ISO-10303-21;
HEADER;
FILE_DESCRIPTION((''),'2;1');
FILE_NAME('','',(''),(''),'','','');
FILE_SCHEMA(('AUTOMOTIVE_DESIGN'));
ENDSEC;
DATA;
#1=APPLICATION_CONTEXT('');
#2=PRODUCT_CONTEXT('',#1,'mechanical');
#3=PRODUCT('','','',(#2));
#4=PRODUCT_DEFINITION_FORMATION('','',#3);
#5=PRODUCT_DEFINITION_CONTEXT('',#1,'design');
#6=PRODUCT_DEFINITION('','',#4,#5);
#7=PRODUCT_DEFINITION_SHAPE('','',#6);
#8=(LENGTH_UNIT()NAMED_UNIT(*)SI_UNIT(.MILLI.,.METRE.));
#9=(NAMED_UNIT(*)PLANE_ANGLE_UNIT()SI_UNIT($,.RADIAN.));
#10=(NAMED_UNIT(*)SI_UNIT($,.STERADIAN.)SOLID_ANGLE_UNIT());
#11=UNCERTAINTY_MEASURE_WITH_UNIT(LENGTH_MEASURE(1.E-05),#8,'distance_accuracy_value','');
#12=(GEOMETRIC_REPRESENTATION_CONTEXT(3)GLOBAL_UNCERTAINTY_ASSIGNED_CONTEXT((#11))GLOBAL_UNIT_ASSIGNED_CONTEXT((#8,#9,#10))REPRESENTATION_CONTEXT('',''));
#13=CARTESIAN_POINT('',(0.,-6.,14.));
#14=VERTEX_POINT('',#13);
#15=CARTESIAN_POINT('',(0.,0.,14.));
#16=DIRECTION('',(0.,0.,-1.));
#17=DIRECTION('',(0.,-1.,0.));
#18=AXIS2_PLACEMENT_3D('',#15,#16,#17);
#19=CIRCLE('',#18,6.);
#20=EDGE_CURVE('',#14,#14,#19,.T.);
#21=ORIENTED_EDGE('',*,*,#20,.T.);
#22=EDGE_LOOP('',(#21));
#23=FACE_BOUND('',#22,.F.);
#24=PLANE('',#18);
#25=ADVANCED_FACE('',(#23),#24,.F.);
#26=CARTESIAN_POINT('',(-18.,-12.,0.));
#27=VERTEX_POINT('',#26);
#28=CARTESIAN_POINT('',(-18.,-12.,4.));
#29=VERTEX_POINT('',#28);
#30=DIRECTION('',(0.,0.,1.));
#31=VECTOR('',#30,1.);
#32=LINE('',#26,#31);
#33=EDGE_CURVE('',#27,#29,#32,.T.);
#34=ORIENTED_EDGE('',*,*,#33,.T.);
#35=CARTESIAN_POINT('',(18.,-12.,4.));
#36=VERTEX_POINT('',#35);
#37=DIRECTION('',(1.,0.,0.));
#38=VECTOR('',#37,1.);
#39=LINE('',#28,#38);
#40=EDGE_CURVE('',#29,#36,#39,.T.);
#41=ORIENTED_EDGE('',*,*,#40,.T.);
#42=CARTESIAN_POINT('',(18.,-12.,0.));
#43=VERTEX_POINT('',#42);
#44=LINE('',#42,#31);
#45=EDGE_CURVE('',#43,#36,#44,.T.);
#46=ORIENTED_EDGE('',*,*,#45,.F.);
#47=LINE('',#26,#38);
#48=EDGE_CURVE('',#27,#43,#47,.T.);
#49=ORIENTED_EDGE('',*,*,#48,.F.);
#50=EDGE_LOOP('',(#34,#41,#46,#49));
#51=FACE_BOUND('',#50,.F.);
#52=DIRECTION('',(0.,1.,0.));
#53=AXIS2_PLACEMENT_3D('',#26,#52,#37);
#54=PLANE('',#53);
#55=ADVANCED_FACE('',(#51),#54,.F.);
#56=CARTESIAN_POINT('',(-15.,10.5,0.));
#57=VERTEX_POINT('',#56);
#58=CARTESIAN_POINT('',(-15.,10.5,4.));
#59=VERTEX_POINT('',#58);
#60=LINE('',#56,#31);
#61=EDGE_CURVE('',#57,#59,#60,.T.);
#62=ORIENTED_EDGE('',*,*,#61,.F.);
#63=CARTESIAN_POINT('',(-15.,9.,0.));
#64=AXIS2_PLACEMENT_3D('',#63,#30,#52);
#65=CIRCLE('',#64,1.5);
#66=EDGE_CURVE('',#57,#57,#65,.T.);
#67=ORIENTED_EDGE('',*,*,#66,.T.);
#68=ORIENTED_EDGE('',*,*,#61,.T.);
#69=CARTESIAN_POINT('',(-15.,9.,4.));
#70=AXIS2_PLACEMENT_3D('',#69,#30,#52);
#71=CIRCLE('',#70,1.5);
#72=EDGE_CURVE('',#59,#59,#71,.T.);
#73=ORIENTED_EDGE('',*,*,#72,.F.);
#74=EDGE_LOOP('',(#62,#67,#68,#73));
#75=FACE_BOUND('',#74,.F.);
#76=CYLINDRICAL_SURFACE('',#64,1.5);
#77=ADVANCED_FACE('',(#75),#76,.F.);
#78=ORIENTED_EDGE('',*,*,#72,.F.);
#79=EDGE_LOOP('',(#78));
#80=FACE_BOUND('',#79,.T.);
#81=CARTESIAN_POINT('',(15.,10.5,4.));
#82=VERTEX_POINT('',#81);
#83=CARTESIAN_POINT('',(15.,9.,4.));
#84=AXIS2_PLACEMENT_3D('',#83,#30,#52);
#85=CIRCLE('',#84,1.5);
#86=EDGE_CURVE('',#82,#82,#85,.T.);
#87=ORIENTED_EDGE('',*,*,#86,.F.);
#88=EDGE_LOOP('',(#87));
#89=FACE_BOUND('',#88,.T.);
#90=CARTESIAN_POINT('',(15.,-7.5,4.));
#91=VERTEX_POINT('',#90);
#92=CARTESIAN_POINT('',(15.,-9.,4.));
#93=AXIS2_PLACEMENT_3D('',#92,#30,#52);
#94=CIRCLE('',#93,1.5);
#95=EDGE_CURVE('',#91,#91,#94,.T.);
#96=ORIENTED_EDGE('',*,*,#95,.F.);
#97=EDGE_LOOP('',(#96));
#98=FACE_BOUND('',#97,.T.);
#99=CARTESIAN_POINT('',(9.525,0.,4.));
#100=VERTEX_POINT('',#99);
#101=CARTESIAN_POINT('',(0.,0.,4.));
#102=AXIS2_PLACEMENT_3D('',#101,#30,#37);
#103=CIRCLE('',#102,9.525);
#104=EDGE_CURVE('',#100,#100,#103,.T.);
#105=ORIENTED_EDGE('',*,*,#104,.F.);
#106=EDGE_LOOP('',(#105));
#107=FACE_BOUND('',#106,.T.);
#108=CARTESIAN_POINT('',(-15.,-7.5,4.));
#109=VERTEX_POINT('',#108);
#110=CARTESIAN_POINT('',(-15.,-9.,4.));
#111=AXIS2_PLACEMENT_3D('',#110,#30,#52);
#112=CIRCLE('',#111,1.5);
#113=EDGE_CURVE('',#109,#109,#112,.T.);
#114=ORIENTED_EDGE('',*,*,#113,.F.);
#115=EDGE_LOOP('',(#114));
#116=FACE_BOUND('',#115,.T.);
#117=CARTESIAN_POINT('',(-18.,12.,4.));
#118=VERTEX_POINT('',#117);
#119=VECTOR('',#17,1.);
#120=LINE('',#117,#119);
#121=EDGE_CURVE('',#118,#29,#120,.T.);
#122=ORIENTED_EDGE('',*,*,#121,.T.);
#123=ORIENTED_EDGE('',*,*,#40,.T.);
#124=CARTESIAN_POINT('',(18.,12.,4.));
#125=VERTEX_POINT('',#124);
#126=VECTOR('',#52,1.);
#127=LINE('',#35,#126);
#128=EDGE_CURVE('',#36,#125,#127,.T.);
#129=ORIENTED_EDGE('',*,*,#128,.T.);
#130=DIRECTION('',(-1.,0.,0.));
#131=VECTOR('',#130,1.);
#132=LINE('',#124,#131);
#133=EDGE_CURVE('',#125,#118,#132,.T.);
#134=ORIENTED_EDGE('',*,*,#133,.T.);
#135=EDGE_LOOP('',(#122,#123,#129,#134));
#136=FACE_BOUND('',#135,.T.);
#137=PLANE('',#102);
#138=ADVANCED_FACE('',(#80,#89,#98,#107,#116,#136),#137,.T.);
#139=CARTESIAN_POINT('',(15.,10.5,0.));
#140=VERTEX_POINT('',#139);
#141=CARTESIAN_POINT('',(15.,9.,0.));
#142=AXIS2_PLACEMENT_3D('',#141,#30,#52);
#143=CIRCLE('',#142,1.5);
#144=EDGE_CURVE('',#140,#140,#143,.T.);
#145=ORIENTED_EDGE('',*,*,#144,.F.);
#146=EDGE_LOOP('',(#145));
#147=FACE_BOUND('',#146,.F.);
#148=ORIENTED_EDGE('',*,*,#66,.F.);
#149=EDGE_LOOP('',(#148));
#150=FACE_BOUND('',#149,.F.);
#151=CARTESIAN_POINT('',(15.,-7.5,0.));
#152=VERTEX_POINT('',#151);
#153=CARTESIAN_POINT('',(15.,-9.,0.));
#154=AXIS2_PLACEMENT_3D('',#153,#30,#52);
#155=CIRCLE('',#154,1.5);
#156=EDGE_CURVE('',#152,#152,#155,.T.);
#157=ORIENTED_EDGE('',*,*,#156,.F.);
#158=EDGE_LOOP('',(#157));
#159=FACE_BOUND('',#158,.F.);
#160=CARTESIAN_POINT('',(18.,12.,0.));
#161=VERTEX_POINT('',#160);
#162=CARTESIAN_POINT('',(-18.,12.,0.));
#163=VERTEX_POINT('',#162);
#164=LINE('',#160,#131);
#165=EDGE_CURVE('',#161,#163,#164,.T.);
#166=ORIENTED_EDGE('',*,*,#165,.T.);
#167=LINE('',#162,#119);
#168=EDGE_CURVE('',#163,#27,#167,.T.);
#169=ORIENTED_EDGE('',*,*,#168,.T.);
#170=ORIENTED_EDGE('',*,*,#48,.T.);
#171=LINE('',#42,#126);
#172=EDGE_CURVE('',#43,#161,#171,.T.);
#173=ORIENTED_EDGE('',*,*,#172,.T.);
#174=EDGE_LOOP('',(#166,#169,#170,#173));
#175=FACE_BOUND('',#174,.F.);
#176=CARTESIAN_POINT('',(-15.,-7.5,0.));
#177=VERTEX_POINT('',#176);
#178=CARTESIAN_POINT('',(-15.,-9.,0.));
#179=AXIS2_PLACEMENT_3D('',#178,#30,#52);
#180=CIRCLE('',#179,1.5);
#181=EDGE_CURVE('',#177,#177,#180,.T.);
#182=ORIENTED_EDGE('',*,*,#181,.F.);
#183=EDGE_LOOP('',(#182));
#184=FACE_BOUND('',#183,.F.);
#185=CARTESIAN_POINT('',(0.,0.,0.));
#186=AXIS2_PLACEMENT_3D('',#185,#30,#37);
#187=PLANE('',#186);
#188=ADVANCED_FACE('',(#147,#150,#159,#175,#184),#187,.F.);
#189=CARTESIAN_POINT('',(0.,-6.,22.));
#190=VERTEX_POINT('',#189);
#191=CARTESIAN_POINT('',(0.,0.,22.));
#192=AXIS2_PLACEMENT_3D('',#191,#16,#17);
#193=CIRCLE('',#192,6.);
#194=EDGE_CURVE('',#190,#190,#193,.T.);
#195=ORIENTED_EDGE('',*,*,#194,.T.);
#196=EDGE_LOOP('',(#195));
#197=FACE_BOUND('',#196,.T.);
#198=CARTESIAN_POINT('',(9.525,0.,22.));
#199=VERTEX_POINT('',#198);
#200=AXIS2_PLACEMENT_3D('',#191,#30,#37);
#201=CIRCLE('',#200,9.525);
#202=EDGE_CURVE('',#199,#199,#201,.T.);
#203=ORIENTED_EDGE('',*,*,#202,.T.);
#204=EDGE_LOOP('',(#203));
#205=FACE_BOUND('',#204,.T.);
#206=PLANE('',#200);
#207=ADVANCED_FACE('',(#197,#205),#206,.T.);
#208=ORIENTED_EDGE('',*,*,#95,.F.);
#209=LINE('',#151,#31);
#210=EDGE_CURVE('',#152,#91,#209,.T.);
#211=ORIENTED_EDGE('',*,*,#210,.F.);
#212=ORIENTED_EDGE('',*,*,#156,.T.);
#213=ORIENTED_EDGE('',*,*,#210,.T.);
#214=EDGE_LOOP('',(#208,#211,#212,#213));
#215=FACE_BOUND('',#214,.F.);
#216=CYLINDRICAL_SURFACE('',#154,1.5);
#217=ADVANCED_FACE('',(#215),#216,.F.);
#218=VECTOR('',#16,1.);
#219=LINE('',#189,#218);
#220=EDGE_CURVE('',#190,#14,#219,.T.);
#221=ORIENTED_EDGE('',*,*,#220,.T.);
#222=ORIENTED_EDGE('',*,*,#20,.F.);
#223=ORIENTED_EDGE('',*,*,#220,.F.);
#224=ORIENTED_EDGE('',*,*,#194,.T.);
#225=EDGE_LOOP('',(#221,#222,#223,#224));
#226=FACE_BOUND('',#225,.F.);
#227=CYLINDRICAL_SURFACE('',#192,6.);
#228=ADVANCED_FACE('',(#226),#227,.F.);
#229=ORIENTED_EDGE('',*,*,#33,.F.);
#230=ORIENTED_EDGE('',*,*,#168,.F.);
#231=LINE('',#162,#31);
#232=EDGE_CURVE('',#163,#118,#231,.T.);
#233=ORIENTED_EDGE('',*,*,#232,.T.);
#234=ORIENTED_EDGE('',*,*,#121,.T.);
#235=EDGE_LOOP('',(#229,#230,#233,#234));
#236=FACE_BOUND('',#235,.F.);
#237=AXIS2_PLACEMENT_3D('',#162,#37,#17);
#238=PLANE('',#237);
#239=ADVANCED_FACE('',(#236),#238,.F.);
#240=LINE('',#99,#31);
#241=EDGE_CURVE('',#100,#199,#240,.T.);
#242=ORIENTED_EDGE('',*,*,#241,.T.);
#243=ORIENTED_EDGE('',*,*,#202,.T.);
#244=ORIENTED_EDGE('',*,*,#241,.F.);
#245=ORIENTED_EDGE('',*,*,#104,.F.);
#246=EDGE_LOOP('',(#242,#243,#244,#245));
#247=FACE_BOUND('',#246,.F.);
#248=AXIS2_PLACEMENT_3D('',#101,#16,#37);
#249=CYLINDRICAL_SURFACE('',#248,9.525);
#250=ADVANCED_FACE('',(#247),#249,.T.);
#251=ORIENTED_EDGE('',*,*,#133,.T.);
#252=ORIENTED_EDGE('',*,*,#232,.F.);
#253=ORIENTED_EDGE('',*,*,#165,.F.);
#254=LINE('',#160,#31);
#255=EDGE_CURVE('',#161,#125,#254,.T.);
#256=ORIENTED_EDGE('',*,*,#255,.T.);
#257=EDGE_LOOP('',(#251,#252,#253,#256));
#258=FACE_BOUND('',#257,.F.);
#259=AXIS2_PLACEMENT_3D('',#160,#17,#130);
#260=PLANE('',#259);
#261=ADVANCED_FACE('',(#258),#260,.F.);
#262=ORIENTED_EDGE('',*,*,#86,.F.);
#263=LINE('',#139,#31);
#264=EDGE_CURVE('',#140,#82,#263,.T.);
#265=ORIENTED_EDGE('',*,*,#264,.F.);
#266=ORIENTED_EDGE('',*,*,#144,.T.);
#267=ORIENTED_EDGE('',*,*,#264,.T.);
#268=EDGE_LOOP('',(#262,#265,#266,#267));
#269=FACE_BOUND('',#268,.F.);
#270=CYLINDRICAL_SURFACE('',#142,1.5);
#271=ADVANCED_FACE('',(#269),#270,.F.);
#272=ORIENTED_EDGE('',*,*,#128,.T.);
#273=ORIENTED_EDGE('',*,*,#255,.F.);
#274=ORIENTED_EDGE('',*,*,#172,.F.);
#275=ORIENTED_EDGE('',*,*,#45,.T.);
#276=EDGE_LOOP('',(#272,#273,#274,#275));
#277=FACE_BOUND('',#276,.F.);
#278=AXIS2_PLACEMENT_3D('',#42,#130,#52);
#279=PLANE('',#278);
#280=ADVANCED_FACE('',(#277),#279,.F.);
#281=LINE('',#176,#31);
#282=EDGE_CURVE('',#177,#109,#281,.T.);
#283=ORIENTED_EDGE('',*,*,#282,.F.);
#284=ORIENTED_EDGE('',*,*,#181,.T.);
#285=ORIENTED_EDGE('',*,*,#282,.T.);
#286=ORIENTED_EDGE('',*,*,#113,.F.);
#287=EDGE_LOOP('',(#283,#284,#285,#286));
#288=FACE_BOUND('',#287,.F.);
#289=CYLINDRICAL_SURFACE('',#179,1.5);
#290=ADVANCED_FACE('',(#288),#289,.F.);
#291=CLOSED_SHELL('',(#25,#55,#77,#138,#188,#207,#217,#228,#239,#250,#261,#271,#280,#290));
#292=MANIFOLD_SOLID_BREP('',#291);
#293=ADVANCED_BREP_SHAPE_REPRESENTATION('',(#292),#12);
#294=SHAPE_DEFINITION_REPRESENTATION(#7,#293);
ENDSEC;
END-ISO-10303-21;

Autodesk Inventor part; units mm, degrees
ref_plane "YZ Plane" through (0, 0, 0) normal (1, 0, 0) x (0, 1, 0)
ref_plane "XZ Plane" through (0, 0, 0) normal (0, 1, 0) x (-1, 0, 0)
ref_plane "XY Plane" through (0, 0, 0) normal (0, 0, 1) x (1, 0, 0)
sketch "Boceto1" plane through (0, 0, 0) normal (0, 0, 1) x (1, 0, 0)
  line L0 (-18, -12) -> (18, -12)
  line L1 (18, -12) -> (18, 12)
  line L2 (18, 12) -> (-18, 12)
  line L3 (-18, 12) -> (-18, -12)
  line L4 (-18, -12) -> (18, 12) construction
  line L5 (18, -12) -> (-18, 12) construction
  circle A0 centre (0, 0) radius 9.525
  line L6 (-15, -9) -> (15, -9)
  line L7 (15, -9) -> (15, 9)
  line L8 (15, 9) -> (-15, 9)
  line L9 (-15, 9) -> (-15, -9)
  line L10 (-15, -9) -> (15, 9) construction
  line L11 (15, -9) -> (-15, 9) construction
  dimension "d0" = 36
  dimension "d1" = 24
  dimension "d2" = 19.05
  dimension "d3" = 30
  dimension "d4" = 18
extrude "Extrusión1" add sketch "Boceto1" along normal blind 4 contours L3 L2 L1 L0 | A0 L6 L8 | A0 L8 L7 L6 | L8 A0 | A0 L6 | A0 L6 L9 L8
sketch "Boceto2" plane through (0, 0, 4) normal (0, 0, 1) x (1, 0, 0)
  circle A0 centre (0, 0) radius 9.525
  dimension "d7" = 19.05
extrude "Extrusión2" add sketch "Boceto2" along normal blind 18
sketch "Boceto3" plane through (0, 0, 22) normal (0, 0, 1) x (1, 0, 0)
  point P0 (0, 0)
  point P1 (0, 0)
hole "Agujero1" at (0, 0, 22) direction (0, 0, -1) diameter 12 depth 8
sketch "Boceto4" plane through (0, 0, 0) normal (0, 0, -1) x (-1, 0, 0)
  line L0 (15, -9) -> (-15, -9)
  line L1 (-15, -9) -> (-15, 9)
  line L2 (-15, 9) -> (15, 9)
  line L3 (15, 9) -> (15, -9)
  line L4 (15, -9) -> (-15, 9) construction
  line L5 (-15, -9) -> (15, 9) construction
  point P0 (0, 0)
  dimension "d17" = 30
  dimension "d18" = 18
hole "Agujero2" at (15, 9, 0) at (15, -9, 0) at (-15, 9, 0) at (-15, -9, 0) direction (0, 0, 1) diameter 3 depth 8 tip angle 118
properties part number "SoporteVarillaZ"
